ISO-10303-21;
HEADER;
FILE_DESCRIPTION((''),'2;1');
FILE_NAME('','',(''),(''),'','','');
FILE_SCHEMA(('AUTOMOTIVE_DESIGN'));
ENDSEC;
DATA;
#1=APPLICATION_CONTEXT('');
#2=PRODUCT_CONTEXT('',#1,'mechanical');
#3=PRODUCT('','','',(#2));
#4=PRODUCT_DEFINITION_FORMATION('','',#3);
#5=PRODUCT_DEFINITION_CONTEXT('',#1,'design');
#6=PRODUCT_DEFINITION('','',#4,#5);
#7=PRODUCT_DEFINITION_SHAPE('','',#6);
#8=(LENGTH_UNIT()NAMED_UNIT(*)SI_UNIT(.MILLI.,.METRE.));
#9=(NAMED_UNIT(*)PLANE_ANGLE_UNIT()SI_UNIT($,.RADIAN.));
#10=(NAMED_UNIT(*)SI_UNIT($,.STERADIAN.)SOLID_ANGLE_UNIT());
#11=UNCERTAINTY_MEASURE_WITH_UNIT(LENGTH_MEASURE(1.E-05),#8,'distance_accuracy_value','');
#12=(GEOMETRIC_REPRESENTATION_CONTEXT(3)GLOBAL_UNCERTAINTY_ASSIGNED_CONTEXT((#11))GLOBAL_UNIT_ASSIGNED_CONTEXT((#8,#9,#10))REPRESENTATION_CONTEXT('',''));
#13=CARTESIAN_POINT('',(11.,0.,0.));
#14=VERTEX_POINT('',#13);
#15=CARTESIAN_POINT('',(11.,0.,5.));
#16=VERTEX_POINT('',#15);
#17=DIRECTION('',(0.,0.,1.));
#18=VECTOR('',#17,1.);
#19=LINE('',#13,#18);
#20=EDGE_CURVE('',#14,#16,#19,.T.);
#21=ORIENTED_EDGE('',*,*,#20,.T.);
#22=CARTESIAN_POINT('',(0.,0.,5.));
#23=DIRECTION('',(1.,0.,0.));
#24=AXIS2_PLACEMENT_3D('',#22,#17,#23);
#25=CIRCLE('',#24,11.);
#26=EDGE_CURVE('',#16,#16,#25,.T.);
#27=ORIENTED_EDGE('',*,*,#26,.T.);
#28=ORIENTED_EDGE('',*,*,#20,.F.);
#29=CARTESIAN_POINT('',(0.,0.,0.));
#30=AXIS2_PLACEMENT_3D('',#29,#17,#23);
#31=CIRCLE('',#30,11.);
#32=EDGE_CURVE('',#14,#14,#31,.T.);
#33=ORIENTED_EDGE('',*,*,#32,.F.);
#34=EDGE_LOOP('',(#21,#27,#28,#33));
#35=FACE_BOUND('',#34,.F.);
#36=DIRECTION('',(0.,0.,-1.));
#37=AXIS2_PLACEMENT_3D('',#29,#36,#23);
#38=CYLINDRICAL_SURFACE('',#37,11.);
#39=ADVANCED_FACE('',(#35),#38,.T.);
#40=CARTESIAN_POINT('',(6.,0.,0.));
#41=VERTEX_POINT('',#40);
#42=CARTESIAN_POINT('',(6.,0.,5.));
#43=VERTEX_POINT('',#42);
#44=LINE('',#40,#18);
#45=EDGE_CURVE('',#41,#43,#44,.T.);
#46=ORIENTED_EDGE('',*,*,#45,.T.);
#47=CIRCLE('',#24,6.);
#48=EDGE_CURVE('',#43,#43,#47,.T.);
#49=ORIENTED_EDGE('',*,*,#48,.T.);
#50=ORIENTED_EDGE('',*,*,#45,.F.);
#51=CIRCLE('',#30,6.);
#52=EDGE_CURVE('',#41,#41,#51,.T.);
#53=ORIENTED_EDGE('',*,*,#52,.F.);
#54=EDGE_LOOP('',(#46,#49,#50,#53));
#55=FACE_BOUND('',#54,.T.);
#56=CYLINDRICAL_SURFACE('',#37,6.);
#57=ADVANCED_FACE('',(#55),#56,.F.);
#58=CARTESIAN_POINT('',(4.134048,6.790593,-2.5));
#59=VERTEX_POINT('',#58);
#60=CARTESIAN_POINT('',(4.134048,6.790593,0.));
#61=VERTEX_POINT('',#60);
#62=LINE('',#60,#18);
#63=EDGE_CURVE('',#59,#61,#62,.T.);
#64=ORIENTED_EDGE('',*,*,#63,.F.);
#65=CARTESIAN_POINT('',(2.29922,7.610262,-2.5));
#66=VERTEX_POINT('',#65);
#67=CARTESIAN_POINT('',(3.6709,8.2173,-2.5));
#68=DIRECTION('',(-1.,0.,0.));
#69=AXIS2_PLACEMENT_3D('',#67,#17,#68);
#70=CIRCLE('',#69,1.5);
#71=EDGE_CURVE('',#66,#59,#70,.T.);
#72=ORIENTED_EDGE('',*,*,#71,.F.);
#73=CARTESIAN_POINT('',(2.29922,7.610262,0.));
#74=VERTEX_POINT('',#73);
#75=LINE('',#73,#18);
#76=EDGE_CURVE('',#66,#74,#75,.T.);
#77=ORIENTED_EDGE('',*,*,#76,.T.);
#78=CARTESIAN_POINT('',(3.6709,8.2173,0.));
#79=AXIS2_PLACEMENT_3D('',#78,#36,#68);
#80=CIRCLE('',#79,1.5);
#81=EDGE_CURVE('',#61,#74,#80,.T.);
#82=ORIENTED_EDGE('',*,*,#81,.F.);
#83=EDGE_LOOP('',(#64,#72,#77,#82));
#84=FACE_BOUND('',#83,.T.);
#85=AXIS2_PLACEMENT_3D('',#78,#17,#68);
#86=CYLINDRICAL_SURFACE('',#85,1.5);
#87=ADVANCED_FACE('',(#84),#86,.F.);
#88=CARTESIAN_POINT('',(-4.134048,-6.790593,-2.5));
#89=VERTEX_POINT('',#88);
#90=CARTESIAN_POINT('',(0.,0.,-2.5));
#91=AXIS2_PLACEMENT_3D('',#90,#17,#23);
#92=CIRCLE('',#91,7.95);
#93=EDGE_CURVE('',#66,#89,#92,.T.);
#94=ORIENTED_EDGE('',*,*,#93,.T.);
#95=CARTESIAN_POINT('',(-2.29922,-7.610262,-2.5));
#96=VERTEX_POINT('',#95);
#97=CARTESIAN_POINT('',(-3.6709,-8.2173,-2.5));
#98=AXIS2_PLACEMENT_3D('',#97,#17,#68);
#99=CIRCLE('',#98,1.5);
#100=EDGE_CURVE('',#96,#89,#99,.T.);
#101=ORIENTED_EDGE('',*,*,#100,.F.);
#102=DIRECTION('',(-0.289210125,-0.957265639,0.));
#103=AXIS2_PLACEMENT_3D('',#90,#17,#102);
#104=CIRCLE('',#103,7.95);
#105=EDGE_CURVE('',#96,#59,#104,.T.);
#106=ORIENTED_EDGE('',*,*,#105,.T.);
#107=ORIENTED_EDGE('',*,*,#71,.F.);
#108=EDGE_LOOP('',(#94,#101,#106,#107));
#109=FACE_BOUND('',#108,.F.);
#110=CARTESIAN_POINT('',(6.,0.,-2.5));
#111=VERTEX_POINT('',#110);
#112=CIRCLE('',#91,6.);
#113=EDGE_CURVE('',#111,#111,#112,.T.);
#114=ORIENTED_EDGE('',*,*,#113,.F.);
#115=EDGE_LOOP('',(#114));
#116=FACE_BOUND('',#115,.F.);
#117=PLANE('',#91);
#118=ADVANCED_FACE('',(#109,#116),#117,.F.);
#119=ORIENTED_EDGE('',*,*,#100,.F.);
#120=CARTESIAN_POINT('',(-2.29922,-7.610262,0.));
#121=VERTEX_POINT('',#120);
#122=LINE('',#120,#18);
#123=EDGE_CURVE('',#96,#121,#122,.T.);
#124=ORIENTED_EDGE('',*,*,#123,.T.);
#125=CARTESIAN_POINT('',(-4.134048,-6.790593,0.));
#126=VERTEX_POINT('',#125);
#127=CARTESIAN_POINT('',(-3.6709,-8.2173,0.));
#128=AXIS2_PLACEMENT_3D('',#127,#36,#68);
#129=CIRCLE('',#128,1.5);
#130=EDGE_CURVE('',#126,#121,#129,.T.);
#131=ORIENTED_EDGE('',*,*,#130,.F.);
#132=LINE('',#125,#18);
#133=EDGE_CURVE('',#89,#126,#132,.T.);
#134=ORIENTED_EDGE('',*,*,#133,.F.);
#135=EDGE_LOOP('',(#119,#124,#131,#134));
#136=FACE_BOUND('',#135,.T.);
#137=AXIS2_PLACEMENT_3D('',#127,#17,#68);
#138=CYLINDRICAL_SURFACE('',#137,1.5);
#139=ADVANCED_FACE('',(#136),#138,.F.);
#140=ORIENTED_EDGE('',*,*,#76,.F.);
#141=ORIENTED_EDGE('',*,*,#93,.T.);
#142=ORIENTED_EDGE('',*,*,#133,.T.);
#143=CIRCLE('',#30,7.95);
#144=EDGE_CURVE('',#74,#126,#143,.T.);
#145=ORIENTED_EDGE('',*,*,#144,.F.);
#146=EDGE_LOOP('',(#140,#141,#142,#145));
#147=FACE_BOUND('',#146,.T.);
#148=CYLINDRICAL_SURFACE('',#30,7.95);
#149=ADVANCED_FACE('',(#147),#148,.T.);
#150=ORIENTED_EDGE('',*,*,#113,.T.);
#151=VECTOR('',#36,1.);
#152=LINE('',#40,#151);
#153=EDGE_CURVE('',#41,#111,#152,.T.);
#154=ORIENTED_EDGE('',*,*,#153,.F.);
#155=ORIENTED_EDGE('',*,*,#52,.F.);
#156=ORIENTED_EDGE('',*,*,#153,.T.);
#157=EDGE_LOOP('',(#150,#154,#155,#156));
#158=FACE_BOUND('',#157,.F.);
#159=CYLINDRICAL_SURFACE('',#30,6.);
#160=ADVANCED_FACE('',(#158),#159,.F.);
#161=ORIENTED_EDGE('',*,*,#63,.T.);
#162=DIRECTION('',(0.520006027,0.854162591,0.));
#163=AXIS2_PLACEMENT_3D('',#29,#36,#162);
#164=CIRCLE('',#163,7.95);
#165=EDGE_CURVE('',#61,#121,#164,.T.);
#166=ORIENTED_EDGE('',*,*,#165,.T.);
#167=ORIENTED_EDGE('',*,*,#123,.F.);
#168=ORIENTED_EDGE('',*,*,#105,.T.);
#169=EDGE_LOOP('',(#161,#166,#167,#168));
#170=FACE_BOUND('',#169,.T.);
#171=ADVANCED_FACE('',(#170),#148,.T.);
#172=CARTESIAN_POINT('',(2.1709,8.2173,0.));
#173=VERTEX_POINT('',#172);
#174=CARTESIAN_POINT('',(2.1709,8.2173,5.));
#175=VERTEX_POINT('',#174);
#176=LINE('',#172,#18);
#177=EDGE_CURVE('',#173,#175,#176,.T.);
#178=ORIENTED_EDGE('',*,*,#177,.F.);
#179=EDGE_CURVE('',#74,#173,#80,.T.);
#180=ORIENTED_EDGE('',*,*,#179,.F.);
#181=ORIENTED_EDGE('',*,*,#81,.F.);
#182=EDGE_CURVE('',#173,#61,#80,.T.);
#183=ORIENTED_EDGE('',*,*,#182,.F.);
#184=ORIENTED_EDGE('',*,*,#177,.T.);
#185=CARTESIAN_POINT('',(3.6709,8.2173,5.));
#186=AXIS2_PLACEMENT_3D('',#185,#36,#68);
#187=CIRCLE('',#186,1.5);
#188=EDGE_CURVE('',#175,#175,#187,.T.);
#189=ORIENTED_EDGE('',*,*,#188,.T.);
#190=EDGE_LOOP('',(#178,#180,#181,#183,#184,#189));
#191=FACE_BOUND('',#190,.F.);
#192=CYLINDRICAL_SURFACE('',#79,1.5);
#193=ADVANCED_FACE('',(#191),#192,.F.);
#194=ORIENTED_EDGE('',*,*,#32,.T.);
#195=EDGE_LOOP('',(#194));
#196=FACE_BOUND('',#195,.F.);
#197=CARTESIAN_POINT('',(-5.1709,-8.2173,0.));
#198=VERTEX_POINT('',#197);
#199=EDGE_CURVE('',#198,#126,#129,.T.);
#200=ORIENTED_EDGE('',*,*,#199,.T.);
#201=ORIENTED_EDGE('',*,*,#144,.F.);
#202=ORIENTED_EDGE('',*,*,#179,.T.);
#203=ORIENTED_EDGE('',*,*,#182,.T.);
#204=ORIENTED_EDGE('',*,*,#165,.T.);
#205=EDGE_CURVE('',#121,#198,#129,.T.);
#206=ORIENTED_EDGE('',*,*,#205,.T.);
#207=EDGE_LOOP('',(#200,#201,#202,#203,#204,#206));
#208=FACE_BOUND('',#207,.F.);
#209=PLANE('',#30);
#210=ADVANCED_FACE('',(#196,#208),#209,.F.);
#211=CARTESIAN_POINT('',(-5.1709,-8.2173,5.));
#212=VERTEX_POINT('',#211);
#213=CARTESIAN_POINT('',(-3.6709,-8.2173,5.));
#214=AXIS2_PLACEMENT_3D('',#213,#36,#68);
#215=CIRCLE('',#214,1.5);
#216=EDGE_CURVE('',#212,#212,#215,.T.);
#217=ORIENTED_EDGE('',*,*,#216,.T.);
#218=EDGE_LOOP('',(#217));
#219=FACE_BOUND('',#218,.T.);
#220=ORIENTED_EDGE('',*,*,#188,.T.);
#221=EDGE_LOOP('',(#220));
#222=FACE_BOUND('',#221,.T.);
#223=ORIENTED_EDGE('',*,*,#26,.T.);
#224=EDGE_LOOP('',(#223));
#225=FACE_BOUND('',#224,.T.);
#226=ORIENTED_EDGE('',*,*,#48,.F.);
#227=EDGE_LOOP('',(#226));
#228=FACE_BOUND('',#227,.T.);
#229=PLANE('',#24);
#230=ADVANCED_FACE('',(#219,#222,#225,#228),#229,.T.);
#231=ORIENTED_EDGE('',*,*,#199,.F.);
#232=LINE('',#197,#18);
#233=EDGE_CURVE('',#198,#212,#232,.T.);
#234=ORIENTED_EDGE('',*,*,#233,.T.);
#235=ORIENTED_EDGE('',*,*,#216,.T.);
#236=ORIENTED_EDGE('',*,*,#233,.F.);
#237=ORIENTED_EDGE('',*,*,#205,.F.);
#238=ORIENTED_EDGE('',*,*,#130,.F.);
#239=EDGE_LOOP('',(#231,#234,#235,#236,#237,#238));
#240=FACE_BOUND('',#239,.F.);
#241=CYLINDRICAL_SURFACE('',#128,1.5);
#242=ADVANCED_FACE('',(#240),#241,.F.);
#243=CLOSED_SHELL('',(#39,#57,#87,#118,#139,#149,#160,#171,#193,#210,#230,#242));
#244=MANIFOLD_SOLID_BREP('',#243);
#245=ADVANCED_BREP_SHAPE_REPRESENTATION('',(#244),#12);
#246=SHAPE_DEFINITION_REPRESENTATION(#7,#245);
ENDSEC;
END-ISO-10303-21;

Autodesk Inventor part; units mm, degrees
ref_plane "YZ Plane" through (0, 0, 0) normal (1, 0, 0) x (0, 1, 0)
ref_plane "XZ Plane" through (0, 0, 0) normal (0, 1, 0) x (-1, 0, 0)
ref_plane "XY Plane" through (0, 0, 0) normal (0, 0, 1) x (1, 0, 0)
sketch "Эскиз1" plane through (0, 0, 0) normal (0, 0, 1) x (1, 0, 0)
  circle A0 centre (0, 0) radius 7.95
  circle A1 centre (0, 0) radius 11
  circle A2 centre (0, 0) radius 6
  dimension "d0" = 15.9
  dimension "d1" = 22
  dimension "d2" = 12
extrude "Выдавливание1" add sketch "Эскиз1" against normal blind 2.5 contours A0
extrude "Выдавливание2" add sketch "Эскиз1" along normal blind 5 contours A0 | A1
sketch "Эскиз2" plane through (0, 0, 0) normal (0, 0, -1) x (-1, 0, 0)
  circle A0 centre (3.6709, -8.2173) radius 1.5 projected
  circle A1 centre (-3.6709, 8.2173) radius 1.5 projected
  circle A2 centre (3.6709, -8.2173) radius 1.5
  circle A3 centre (-3.6709, 8.2173) radius 1.5
  point P0 (0, 0)
  dimension "d7" = 3
  dimension "d8" = 3
extrude "Выдавливание3" cut sketch "Эскиз2" along normal mid plane 30
properties part number "MELLOW barrier adapter"
